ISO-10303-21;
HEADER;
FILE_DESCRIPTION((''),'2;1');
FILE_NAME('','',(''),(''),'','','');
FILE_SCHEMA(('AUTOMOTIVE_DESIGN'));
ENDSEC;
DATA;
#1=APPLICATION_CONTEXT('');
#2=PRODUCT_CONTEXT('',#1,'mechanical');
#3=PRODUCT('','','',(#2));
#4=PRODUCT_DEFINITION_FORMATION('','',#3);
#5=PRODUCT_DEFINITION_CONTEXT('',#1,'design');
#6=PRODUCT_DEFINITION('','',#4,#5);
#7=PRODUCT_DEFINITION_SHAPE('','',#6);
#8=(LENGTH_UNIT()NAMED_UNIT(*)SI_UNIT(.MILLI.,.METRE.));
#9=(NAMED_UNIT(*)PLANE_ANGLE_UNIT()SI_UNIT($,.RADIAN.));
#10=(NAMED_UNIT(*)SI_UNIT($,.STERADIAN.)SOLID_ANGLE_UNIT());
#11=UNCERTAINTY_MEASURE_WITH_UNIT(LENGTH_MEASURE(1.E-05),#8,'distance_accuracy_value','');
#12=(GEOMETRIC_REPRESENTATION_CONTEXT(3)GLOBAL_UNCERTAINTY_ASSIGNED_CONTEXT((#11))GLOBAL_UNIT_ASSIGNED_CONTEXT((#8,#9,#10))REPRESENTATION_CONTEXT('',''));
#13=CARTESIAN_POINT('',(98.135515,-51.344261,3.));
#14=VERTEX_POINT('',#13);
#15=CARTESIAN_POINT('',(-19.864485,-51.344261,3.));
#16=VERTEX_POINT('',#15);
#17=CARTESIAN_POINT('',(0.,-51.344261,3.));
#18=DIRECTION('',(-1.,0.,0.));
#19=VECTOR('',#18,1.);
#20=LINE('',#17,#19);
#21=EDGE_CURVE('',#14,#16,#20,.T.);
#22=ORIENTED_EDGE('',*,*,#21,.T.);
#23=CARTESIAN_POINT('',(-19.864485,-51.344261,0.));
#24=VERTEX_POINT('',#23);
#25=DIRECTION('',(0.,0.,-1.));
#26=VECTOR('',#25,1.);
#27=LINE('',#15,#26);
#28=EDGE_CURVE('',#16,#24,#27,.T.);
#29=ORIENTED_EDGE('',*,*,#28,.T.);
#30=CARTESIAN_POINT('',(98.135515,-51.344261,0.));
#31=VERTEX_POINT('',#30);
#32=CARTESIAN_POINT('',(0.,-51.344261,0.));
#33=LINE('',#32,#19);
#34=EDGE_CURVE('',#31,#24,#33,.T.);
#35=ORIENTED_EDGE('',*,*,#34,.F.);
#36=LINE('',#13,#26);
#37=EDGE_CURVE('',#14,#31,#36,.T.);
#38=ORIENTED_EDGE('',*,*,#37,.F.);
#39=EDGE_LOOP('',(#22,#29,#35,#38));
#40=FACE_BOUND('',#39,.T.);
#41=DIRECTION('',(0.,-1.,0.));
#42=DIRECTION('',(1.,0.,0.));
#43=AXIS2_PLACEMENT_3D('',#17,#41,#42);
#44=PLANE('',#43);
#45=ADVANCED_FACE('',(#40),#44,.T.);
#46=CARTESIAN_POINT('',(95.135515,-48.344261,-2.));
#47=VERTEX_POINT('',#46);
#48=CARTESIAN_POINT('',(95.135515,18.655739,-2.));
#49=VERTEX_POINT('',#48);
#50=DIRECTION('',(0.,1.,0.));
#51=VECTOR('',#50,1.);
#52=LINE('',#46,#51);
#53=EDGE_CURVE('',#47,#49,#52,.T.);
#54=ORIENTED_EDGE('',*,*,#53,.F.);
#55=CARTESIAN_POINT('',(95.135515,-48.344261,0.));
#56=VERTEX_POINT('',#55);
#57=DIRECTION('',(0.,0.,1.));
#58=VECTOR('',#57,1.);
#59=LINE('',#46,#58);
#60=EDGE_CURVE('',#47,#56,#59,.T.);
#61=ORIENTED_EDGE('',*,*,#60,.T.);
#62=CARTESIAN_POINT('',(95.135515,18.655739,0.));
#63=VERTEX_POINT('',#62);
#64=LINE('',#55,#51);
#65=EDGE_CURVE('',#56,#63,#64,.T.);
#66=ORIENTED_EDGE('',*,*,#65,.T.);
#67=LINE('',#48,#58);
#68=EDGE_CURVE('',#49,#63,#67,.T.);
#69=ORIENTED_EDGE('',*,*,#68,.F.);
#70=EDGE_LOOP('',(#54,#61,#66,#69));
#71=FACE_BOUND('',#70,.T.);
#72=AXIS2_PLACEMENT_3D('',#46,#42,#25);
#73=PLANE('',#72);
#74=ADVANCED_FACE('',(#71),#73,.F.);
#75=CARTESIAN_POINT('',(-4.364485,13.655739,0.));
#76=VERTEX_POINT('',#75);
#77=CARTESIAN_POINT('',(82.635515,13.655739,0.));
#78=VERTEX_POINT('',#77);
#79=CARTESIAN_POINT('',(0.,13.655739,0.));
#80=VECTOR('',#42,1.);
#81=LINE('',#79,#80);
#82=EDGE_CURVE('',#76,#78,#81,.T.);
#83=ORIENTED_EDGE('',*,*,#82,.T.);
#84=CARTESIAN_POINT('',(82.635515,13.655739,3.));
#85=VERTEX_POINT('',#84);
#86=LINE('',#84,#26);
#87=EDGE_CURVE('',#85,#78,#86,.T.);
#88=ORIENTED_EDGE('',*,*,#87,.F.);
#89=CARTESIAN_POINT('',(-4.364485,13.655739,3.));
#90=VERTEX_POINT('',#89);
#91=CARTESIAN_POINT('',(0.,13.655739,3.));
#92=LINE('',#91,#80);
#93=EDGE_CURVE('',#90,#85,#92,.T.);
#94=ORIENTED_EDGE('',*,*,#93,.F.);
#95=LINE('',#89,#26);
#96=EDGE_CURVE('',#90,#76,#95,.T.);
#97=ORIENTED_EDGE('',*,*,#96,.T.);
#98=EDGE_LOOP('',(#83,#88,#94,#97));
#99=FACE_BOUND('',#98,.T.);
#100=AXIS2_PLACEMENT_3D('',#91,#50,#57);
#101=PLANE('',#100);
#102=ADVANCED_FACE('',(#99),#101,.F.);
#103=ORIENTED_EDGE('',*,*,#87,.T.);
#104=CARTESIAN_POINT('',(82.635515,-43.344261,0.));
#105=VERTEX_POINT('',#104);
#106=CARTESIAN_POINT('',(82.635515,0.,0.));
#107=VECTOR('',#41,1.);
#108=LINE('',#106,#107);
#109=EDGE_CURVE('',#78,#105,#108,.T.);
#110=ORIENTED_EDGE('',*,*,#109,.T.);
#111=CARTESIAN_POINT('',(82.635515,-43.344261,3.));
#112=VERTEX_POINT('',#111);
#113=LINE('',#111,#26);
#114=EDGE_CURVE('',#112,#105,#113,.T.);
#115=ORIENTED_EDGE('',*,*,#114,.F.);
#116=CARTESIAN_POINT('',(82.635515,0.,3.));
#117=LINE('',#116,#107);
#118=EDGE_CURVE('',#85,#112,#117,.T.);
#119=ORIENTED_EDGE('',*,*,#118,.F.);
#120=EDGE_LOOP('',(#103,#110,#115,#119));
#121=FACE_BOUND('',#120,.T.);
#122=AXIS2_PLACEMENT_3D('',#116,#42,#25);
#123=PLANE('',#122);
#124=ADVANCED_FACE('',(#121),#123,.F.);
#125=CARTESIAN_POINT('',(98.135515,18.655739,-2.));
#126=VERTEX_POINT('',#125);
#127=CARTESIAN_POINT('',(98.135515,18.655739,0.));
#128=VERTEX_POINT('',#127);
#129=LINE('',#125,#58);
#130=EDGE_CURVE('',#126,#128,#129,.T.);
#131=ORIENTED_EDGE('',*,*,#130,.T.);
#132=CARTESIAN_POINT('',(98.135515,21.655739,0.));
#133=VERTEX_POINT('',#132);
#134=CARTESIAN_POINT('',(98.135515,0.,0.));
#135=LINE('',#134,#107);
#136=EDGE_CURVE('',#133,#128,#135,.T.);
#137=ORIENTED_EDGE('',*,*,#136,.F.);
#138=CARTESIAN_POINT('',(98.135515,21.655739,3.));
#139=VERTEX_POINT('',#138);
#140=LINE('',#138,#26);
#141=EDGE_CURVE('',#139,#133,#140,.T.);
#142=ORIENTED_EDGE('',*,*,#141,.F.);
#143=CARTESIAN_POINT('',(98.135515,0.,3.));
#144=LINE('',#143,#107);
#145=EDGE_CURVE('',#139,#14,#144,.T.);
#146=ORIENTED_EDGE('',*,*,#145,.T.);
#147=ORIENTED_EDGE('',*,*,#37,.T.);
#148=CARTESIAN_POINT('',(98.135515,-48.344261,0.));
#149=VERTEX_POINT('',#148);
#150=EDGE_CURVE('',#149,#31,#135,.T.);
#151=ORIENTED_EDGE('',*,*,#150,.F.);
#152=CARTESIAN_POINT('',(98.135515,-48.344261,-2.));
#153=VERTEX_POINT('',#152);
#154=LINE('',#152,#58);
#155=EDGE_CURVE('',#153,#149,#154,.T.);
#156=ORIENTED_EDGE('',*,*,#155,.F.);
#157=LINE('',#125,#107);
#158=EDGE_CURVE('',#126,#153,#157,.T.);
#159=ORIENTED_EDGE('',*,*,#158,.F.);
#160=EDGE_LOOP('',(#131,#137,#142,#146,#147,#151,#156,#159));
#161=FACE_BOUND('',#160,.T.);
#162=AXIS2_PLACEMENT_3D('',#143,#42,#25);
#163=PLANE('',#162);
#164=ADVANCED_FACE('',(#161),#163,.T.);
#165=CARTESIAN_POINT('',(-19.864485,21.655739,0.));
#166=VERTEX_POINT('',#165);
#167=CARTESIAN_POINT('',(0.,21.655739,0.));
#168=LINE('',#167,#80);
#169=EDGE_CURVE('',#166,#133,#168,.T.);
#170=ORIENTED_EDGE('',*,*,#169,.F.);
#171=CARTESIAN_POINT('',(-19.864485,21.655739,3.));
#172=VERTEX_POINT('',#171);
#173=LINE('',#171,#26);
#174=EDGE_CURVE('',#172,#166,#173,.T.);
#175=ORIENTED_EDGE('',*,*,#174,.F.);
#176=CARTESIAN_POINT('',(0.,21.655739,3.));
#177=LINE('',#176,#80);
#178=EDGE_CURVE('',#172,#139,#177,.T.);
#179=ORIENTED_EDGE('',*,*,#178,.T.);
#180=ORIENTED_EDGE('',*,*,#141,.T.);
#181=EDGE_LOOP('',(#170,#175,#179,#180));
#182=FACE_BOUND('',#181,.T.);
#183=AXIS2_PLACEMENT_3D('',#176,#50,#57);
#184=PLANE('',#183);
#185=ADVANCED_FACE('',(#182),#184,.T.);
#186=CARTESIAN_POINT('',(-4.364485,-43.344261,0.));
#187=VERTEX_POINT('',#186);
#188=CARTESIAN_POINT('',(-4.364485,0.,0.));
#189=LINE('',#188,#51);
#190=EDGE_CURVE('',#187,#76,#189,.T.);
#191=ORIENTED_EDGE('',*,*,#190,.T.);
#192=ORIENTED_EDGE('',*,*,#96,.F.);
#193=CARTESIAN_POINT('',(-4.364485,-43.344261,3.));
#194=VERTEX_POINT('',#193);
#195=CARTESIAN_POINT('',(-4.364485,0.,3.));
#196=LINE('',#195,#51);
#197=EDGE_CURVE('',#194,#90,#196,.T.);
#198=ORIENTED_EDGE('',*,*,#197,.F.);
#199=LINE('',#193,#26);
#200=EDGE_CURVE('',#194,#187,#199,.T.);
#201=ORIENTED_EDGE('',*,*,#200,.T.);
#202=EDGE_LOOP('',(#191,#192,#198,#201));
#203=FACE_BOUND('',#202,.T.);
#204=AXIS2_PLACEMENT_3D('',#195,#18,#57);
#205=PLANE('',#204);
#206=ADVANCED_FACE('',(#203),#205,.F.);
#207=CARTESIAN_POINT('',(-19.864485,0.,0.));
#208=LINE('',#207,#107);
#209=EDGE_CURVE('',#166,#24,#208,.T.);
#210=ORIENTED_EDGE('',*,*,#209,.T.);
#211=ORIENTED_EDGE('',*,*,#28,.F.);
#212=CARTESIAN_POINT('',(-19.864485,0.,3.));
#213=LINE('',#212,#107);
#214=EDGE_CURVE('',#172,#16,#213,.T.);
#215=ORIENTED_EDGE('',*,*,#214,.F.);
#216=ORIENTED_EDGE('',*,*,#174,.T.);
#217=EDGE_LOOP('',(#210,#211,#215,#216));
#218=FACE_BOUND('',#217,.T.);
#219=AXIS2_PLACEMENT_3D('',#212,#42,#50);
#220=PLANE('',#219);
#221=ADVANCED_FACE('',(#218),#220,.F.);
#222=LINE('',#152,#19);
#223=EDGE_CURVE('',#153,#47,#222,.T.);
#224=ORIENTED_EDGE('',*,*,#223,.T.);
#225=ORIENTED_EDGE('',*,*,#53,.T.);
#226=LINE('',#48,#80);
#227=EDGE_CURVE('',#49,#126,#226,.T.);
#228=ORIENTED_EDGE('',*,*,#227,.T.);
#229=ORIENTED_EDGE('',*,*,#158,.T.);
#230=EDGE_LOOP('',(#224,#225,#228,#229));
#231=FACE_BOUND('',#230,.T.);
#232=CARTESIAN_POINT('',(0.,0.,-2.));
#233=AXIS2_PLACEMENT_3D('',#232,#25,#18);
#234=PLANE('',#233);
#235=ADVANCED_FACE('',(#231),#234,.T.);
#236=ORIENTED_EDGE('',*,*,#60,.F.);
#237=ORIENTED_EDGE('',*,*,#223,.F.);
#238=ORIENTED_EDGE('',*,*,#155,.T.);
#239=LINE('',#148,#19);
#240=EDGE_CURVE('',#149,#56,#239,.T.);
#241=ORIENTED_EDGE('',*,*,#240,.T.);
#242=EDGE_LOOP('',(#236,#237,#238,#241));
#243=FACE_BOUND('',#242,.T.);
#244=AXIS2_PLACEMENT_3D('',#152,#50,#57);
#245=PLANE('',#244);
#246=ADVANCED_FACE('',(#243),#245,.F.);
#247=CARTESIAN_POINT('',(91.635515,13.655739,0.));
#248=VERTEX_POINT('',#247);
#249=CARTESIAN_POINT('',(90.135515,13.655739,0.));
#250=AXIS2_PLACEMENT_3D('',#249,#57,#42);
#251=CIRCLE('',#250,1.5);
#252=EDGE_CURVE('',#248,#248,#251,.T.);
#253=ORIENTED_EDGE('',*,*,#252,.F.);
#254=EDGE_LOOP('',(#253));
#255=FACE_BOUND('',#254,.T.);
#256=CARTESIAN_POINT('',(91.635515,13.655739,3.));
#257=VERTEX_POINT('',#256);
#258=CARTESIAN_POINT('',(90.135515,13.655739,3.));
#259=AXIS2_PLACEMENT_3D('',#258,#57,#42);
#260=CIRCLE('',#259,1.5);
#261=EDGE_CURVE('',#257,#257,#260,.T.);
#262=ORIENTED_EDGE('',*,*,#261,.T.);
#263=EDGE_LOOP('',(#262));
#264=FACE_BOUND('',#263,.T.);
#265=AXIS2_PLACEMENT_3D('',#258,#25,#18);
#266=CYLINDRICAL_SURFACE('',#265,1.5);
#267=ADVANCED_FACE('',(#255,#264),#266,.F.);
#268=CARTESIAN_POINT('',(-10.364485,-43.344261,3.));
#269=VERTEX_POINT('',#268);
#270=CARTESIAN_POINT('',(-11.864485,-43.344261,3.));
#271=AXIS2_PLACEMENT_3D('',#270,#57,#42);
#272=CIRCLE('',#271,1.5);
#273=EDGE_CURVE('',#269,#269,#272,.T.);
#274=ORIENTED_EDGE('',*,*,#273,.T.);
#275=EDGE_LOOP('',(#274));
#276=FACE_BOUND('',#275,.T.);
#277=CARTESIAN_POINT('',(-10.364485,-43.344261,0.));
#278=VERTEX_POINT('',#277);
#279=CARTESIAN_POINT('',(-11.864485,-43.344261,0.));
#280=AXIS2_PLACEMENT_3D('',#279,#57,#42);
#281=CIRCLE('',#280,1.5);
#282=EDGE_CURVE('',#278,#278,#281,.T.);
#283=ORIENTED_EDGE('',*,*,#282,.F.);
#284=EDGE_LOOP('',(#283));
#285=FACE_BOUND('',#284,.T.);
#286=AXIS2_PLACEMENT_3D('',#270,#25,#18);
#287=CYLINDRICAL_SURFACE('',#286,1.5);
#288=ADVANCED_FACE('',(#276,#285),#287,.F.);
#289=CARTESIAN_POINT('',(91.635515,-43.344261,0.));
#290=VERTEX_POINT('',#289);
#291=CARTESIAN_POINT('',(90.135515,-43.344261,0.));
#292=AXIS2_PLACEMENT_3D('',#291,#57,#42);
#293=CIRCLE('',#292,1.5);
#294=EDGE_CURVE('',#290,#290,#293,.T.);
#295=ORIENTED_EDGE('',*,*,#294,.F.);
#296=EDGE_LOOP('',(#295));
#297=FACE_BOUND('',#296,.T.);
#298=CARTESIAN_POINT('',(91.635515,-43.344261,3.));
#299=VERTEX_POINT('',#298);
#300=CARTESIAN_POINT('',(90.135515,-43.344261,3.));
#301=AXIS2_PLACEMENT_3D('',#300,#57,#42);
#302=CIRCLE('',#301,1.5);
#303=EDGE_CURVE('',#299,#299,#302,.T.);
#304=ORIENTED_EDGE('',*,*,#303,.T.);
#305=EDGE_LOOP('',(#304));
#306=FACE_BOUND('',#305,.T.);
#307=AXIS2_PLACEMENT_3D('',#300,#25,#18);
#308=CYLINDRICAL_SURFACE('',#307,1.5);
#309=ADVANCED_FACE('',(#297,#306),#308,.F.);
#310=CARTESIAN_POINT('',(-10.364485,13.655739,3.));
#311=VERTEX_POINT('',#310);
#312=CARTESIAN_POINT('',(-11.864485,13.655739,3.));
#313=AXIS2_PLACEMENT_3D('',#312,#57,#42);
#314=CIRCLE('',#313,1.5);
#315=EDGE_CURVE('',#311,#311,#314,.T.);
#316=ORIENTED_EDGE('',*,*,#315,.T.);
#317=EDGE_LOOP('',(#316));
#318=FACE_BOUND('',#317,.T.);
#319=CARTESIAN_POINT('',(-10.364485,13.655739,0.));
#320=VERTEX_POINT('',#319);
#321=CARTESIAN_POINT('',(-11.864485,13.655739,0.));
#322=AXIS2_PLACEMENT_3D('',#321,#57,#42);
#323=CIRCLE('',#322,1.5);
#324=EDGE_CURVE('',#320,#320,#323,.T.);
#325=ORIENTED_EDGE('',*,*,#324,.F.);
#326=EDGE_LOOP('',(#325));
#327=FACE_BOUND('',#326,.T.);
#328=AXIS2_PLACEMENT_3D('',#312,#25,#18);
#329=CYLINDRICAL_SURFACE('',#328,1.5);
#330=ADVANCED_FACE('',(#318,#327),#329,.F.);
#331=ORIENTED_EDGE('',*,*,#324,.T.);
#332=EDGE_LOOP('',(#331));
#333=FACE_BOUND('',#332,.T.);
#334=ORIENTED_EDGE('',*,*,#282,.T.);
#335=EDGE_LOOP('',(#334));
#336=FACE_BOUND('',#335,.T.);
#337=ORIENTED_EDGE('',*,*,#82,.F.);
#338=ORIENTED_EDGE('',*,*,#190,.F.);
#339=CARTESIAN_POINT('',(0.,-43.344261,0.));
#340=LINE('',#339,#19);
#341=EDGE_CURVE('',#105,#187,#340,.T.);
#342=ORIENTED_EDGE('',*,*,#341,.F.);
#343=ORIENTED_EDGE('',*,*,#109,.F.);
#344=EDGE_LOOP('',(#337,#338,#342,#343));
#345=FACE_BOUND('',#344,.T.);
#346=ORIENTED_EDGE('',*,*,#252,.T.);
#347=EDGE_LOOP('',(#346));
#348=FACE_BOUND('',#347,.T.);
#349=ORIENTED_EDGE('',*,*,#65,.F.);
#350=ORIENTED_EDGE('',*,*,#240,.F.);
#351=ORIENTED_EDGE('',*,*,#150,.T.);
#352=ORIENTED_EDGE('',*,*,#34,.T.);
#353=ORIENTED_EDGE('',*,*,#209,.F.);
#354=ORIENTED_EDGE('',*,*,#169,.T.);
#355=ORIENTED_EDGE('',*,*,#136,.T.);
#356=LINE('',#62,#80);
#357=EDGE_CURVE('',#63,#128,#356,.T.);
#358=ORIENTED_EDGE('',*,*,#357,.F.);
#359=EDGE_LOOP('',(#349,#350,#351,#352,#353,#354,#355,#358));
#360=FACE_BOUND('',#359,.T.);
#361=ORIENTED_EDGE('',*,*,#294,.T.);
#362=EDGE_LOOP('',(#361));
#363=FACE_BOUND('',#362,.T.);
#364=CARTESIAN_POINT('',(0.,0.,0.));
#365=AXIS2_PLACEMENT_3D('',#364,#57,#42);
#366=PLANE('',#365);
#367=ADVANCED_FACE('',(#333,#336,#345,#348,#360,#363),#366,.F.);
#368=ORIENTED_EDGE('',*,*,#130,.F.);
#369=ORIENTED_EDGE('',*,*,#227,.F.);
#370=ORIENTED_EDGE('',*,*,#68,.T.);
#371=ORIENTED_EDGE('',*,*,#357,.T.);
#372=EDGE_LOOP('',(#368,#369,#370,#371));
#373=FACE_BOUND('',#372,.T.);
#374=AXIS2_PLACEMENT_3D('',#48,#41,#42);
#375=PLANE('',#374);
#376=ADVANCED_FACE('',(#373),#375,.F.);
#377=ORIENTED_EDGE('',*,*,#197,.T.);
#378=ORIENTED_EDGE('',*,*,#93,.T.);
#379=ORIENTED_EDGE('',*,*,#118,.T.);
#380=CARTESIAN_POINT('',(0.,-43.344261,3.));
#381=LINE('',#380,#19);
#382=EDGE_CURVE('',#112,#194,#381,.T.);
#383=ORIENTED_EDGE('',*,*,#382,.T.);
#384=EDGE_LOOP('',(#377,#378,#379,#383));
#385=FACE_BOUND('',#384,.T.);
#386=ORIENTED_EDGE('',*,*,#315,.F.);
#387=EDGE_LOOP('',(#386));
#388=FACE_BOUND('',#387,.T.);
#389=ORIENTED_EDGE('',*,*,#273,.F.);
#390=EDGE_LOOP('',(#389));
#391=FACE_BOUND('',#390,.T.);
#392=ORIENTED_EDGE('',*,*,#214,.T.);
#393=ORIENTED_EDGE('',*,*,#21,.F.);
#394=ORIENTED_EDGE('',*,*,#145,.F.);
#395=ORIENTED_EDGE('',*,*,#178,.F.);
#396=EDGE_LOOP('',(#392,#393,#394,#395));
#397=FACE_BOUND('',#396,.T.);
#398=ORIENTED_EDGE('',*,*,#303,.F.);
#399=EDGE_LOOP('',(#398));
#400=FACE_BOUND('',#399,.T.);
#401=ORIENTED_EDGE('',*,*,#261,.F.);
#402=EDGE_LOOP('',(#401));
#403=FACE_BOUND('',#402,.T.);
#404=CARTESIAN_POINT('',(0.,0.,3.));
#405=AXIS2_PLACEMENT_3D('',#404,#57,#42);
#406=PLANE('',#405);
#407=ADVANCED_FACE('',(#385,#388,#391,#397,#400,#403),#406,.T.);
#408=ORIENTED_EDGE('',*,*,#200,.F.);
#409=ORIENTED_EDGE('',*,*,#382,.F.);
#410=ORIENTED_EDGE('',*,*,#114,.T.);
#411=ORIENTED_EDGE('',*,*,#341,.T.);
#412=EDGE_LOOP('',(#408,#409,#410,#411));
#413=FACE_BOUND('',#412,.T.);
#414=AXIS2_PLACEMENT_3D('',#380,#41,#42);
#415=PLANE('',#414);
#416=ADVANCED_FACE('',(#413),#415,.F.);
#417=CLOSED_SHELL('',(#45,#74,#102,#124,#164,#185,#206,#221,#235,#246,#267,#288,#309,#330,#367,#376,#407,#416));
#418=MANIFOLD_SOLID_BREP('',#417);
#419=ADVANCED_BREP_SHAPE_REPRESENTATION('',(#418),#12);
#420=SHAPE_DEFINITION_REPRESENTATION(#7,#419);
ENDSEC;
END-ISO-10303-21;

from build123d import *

# Parameters (mm, degrees)
SKETCH_1_R      = 1.5
SKETCH_1_W      = 87
SKETCH_1_H      = 57
EXTRUDE_2_DEPTH = 3
SKETCH_3_W      = 3
SKETCH_3_H      = 67
EXTRUDE_3_DEPTH = 2


with BuildPart() as part:
    # 草图1 → 凸台-拉伸2 (new body)
    with BuildSketch(Plane.XY):
        Polygon((-11.864484676, 21.655738596), (-19.864484676, 21.655738596), (-19.864484676, 10.655738596), (-19.864484676, -51.344261404), (-14.864484676, -51.344261404), (-11.864484676, -51.344261404), (98.135515324, -51.344261404), (98.135515324, -43.344261404), (98.135515324, 10.655738596), (98.135515324, 21.655738596), (-4.364484676, 21.655738596), (-6.864484676, 21.655738596), (-7.364484676, 21.655738596), align=None)
        with Locations((-11.864484676, -43.344261404)):
            Circle(SKETCH_1_R, mode=Mode.SUBTRACT)
        with Locations((90.135515324, -43.344261404)):
            Circle(SKETCH_1_R, mode=Mode.SUBTRACT)
        with Locations((-11.864484676, 13.655738596)):
            Circle(SKETCH_1_R, mode=Mode.SUBTRACT)
        with Locations((39.135515324, -14.844261404)):
            Rectangle(SKETCH_1_W, SKETCH_1_H, mode=Mode.SUBTRACT)
        with Locations((90.135515324, 13.655738596)):
            Circle(SKETCH_1_R, mode=Mode.SUBTRACT)
    extrude(amount=EXTRUDE_2_DEPTH)

    # 草图3 → 凸台-拉伸3 (add)
    with BuildSketch(Plane(origin=(0, 0, 0), x_dir=(-1, 0, 0), z_dir=(0, 0, -1))):
        with Locations((-96.635515324, -14.844261404)):
            Rectangle(SKETCH_3_W, SKETCH_3_H)
    extrude(amount=EXTRUDE_3_DEPTH)


solid = part.part
